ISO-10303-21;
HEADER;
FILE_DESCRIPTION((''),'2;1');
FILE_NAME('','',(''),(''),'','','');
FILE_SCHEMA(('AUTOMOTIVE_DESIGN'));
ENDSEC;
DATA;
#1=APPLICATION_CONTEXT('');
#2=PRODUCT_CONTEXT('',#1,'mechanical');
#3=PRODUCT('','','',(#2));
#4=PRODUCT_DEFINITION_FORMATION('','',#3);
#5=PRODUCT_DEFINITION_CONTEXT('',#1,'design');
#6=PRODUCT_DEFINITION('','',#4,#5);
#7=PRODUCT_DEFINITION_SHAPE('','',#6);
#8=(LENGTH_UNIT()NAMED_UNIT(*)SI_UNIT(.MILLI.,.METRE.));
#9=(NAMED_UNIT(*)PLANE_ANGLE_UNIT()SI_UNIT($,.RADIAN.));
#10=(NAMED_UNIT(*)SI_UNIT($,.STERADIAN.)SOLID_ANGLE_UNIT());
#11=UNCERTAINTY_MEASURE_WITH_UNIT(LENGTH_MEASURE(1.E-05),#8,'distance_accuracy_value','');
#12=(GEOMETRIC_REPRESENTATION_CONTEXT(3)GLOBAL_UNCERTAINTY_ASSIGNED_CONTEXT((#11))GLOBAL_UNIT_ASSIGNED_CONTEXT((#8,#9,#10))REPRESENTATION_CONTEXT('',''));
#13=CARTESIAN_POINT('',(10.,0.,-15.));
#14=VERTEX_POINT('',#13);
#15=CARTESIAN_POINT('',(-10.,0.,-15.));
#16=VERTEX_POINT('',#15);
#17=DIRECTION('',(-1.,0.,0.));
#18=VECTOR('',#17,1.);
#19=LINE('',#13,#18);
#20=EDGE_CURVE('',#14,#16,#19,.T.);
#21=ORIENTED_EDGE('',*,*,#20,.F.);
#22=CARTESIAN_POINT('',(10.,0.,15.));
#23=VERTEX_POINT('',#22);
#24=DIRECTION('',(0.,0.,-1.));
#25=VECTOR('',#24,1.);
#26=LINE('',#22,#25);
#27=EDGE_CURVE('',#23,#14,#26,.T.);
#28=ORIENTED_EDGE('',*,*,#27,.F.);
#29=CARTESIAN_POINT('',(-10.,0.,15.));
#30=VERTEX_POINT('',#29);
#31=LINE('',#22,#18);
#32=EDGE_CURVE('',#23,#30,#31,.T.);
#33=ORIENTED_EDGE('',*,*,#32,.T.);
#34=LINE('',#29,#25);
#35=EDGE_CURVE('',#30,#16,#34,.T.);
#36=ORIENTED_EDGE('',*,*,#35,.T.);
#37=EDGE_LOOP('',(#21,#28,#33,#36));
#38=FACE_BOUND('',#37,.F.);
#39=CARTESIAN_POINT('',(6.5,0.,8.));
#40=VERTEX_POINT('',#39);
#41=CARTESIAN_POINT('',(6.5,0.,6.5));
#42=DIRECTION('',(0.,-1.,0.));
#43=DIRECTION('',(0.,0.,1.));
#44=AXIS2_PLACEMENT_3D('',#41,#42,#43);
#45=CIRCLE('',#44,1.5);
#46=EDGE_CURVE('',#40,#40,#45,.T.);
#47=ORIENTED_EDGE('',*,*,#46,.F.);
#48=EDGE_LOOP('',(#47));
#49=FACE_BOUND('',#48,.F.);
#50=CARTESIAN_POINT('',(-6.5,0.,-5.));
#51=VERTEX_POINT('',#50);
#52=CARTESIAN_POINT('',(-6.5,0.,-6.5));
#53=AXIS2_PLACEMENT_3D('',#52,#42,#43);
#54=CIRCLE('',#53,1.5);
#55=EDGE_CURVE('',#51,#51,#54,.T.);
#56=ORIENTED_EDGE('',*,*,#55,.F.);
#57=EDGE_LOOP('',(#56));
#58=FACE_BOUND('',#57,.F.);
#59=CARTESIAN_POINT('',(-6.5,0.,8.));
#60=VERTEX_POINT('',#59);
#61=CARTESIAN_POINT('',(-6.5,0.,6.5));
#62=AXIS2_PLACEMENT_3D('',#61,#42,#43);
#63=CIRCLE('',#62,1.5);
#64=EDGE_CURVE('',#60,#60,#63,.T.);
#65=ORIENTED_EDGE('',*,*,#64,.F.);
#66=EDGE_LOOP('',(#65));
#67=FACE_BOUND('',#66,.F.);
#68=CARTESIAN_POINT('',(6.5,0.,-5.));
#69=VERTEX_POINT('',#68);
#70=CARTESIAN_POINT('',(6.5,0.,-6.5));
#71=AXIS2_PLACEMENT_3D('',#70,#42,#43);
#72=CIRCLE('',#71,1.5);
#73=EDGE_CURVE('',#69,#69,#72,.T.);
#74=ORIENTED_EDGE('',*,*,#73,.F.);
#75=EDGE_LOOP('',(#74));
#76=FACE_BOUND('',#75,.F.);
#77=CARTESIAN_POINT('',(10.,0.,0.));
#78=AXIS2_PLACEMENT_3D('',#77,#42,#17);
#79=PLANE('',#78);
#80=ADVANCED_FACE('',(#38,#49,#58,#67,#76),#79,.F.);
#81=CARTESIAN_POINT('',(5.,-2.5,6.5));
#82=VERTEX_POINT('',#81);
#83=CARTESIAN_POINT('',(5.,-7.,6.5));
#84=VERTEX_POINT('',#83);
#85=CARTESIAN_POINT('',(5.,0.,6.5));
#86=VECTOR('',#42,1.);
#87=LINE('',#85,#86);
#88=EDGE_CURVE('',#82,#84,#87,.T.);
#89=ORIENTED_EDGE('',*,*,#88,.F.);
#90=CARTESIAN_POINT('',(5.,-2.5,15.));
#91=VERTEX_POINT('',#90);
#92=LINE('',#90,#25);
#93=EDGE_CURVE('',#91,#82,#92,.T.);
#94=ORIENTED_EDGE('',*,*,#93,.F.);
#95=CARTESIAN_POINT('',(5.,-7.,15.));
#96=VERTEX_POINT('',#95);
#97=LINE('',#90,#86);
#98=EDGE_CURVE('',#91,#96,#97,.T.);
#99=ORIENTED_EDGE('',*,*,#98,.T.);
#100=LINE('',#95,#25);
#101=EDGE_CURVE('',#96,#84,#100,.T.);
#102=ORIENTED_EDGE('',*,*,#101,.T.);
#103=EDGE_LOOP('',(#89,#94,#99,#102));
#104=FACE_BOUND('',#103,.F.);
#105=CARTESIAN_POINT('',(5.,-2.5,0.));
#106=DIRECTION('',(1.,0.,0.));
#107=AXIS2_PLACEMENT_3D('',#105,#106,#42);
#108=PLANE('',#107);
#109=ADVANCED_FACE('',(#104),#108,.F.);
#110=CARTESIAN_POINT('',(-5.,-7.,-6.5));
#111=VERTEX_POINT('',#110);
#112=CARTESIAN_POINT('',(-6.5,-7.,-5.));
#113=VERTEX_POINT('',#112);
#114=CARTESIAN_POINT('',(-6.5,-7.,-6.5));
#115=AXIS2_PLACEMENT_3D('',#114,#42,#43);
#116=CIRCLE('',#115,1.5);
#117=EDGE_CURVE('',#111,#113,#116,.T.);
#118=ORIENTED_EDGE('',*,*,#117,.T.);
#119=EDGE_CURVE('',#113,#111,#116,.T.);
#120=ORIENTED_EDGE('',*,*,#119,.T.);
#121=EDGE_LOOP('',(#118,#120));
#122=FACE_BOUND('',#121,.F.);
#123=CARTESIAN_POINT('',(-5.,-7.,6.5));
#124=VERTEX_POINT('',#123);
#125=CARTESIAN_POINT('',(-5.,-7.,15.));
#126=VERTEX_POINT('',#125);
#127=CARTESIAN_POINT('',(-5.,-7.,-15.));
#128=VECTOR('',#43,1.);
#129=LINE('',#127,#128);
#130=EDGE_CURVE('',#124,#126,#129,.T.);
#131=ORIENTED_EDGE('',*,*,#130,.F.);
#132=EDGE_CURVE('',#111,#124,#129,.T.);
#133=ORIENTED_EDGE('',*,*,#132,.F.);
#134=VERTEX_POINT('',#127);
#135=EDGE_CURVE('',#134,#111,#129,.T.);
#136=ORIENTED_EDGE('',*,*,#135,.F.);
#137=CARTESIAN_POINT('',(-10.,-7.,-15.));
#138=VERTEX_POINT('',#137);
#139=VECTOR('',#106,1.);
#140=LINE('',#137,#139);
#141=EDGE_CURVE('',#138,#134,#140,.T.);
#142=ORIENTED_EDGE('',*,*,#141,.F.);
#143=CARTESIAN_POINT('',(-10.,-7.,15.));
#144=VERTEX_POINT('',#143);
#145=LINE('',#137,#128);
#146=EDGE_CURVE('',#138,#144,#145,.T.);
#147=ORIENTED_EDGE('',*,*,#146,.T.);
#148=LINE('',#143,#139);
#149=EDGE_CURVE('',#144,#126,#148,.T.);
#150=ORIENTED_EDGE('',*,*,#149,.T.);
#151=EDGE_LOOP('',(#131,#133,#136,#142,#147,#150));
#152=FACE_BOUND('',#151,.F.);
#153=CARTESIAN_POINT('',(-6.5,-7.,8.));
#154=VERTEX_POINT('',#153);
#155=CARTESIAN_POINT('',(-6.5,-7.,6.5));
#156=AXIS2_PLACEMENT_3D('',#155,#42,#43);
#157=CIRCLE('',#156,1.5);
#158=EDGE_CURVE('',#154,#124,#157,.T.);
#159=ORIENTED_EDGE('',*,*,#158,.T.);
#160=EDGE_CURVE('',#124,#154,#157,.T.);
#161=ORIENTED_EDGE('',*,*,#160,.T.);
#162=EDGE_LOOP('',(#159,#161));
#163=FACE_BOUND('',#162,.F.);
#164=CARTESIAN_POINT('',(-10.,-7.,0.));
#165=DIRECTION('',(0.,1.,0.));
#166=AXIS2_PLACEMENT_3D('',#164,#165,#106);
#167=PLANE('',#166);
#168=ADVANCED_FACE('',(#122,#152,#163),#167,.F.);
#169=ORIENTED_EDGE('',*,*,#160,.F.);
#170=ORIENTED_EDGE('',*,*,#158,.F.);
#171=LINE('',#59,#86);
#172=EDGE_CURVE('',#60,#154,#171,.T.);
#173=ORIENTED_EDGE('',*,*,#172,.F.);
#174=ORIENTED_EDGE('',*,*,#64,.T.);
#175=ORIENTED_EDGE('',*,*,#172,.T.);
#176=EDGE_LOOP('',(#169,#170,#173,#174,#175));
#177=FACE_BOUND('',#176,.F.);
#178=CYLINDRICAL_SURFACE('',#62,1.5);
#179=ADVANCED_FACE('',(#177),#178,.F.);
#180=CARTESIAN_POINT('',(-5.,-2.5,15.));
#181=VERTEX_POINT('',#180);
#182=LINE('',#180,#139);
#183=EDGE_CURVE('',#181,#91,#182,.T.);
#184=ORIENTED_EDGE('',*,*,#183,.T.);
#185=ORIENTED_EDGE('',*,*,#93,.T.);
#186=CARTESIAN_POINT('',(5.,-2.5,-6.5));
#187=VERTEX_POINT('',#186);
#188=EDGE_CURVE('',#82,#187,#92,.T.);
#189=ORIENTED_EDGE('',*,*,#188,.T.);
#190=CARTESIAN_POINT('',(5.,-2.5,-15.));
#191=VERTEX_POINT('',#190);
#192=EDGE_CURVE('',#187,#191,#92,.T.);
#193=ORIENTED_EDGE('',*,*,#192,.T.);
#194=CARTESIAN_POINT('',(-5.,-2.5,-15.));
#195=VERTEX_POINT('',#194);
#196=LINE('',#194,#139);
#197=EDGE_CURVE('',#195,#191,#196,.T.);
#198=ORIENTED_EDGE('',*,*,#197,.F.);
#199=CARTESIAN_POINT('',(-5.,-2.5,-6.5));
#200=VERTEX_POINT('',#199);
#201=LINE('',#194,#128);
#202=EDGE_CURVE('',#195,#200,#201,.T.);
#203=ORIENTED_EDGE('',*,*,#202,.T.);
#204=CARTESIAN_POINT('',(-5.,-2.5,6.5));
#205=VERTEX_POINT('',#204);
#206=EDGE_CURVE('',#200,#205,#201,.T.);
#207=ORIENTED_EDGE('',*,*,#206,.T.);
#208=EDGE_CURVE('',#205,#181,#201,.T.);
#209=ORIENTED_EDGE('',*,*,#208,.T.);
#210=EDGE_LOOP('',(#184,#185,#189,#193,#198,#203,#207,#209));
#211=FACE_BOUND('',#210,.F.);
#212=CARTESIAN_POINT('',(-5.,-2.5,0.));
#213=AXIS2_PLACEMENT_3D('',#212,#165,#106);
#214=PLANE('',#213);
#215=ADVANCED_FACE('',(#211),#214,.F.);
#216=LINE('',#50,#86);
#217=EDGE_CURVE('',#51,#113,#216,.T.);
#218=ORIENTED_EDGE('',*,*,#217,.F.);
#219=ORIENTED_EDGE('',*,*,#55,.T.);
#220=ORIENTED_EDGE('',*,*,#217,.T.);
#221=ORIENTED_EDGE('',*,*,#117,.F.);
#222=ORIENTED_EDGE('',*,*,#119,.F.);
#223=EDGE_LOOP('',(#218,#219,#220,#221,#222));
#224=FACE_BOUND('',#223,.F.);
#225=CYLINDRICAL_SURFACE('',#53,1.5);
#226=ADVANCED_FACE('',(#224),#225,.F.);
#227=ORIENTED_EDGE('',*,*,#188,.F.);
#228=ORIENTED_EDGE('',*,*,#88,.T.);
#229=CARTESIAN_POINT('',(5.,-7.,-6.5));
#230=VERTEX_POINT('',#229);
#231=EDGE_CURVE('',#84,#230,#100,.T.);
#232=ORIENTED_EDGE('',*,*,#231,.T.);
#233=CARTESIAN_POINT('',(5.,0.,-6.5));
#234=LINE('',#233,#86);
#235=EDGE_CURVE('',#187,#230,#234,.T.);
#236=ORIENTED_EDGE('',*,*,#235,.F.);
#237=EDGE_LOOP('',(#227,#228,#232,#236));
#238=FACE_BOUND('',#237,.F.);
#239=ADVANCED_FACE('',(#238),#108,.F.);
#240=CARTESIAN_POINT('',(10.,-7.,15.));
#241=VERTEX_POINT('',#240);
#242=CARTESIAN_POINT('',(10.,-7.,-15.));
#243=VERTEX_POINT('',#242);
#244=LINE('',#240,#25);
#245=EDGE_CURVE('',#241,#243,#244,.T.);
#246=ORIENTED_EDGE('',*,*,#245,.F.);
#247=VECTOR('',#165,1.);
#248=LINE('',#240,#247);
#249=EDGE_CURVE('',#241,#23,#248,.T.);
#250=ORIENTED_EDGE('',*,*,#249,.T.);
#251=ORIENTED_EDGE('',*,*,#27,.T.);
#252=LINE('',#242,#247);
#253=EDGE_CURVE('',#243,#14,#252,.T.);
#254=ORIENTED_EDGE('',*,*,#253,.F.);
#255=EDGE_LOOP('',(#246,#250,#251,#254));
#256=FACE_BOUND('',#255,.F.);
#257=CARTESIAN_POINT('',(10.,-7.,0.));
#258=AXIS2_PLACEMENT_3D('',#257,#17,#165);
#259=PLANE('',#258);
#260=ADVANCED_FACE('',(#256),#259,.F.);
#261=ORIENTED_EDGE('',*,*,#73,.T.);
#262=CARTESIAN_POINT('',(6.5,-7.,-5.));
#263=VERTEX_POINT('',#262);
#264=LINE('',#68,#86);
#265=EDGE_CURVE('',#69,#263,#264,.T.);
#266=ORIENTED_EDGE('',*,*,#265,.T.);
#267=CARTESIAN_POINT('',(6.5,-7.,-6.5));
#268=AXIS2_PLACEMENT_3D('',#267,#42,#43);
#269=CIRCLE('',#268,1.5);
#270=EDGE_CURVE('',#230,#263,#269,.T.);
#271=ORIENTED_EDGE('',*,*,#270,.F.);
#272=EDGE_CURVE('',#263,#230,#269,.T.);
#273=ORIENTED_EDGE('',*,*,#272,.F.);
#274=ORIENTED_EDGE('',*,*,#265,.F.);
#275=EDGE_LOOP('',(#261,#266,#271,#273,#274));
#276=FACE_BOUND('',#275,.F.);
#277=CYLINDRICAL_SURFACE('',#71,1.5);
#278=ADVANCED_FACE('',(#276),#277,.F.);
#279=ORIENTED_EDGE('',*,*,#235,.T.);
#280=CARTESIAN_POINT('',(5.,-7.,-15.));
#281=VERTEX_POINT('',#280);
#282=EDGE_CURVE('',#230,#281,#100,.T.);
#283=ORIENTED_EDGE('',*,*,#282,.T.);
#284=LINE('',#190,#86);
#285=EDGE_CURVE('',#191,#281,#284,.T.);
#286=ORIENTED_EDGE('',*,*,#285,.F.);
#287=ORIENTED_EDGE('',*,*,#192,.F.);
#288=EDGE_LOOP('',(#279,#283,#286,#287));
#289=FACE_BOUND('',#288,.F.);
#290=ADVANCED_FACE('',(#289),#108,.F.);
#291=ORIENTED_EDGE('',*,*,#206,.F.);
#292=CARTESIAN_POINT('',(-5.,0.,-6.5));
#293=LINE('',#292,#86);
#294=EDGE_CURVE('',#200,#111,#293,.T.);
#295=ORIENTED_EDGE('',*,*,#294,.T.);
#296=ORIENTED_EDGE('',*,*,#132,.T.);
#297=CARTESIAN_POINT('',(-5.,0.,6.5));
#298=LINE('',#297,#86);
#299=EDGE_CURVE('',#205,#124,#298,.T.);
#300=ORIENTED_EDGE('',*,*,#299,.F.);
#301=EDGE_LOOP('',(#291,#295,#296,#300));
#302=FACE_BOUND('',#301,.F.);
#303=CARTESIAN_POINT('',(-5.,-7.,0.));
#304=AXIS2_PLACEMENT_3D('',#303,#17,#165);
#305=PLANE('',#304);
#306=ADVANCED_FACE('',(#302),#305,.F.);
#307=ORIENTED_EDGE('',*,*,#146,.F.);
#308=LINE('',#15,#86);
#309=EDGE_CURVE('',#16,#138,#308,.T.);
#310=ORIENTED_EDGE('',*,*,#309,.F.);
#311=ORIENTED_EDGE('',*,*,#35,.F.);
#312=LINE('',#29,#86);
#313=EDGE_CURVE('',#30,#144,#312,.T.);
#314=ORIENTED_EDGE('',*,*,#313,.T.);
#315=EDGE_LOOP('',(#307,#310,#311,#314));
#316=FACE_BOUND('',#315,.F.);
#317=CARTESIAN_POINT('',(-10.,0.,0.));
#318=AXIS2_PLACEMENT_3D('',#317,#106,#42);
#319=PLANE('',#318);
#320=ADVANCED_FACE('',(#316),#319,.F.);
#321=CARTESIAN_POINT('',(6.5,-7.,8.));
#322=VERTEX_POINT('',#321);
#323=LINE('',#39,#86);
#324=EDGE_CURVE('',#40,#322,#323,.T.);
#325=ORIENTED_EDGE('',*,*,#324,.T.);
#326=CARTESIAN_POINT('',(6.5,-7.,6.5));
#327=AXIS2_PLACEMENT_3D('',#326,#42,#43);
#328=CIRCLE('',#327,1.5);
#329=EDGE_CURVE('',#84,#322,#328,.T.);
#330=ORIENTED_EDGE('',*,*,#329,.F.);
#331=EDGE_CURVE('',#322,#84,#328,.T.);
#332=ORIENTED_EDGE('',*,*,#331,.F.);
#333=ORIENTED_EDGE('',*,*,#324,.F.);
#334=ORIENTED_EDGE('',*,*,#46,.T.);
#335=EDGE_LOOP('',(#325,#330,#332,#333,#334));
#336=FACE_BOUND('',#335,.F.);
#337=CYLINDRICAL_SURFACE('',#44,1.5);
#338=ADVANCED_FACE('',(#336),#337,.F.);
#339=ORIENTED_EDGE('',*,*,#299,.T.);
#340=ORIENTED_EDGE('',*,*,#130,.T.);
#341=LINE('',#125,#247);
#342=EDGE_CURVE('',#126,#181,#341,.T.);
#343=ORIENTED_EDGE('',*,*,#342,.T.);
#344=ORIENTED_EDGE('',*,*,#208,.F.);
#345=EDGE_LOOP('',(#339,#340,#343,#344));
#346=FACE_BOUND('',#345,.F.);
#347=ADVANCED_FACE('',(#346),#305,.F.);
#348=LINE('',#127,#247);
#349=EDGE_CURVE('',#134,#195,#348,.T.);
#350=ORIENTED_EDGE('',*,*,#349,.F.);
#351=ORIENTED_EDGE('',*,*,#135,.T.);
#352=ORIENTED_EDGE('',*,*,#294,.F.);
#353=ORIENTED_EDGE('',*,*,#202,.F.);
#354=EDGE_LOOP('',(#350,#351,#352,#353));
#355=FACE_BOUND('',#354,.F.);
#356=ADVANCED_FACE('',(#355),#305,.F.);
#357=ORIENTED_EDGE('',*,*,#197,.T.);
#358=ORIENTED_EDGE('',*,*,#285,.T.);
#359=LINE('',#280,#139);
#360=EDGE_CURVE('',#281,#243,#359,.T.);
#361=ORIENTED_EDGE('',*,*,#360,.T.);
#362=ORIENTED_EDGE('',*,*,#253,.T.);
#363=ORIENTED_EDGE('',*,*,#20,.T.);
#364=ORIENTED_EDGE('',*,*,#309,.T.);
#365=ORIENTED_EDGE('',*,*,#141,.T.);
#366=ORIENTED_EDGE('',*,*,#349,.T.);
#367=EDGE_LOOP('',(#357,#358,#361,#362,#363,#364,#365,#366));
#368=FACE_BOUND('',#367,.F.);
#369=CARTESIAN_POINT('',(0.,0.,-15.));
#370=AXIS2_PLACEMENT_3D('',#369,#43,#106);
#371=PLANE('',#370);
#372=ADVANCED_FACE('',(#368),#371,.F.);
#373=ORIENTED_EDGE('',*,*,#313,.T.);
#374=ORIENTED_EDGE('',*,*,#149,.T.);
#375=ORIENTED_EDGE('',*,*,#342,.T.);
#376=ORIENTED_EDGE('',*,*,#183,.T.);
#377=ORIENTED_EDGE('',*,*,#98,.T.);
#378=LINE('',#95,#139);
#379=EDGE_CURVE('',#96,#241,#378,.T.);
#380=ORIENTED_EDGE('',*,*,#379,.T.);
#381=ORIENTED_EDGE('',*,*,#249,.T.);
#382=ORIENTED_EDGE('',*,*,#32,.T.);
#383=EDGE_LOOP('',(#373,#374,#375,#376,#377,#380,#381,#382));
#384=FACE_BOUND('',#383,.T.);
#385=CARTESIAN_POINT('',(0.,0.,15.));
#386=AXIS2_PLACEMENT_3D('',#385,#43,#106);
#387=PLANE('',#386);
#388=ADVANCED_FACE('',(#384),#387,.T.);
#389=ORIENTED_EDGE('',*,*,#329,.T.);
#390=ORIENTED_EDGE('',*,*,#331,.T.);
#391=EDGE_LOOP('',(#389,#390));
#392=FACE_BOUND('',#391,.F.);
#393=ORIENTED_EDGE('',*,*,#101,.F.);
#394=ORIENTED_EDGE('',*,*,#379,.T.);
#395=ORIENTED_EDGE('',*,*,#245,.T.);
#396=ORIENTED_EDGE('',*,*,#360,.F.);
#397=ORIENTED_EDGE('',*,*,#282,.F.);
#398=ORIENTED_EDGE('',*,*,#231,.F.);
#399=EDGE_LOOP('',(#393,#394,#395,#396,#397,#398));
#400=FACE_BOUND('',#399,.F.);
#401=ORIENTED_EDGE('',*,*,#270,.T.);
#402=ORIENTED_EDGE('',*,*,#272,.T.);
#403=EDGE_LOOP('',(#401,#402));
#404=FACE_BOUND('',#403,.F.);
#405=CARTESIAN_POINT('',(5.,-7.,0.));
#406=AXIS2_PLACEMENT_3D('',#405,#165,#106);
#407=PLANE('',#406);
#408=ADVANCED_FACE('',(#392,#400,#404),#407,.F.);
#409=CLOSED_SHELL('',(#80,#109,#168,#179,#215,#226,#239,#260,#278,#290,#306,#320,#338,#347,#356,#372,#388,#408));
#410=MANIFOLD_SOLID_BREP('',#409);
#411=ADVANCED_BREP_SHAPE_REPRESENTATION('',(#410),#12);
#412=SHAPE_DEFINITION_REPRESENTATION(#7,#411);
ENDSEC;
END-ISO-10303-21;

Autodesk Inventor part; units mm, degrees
ref_plane "YZ Plane" through (0, 0, 0) normal (1, 0, 0) x (0, 1, 0)
ref_plane "XZ Plane" through (0, 0, 0) normal (0, 1, 0) x (-1, 0, 0)
ref_plane "XY Plane" through (0, 0, 0) normal (0, 0, 1) x (1, 0, 0)
sketch "スケッチ1" plane through (0, 0, 0) normal (0, 0, 1) x (1, 0, 0)
  line L0 (-10, -7) -> (-5, -7)
  line L1 (10, -7) -> (10, 0)
  line L2 (10, 0) -> (-10, 0)
  line L3 (-10, 0) -> (-10, -7)
  line L4 (-10, -7) -> (10, 0) construction
  line L5 (10, -7) -> (-10, 0) construction
  line L6 (-5, -2.5) -> (5, -2.5)
  line L7 (5, -2.5) -> (5, -7)
  line L8 (-5, -7) -> (-5, -2.5)
  line L9 (-5, -2.5) -> (5, -7) construction
  line L10 (5, -2.5) -> (-5, -7) construction
  line L11 (5, -7) -> (10, -7)
  point P0 (0, 0)
  point P1 (0, -3.5)
  point P2 (0, -4.75)
  dimension "d0" = 20
  dimension "d1" = 7
  dimension "d2" = 10
  dimension "d3" = 4.5
extrude "押し出し1" add sketch "スケッチ1" along normal mid plane 30
sketch "スケッチ2" plane through (-10, 0, -15) normal (0, 1, 0) x (1, 0, 0)
  line L0 (0, 0) -> (0, -30) projected
  line L1 (0, 0) -> (20, 0) projected
  line L2 (20, -30) -> (0, -30) projected
  line L3 (20, 0) -> (20, -30) projected
  point P0 (10, -15)
  point P1 (3.5, -8.5)
  point P2 (3.5, -21.5)
  point P3 (16.5, -21.5)
  point P4 (16.5, -8.5)
  dimension "d6" = 3.5
  dimension "d7" = 3.5
  dimension "d8" = 8.5
  dimension "d9" = 8.5
  dimension "d10" = 3.5
  dimension "d11" = 3.5
  dimension "d12" = 8.5
  dimension "d13" = 8.5
hole "穴1" at (-6.5, 0, -6.5) at (-6.5, 0, 6.5) at (6.5, 0, 6.5) at (6.5, 0, -6.5) direction (0, -1, 0) diameter 3 end through all
equation "\"d7\" = d6"
equation "\"d9\" = d8"
equation "\"d10\" = d6"
equation "\"d11\" = d6"
equation "\"d12\" = d8"
equation "\"d13\" = d8"
properties part number "slider_b7p5x20_30_sa" material "アルミニウム 6061-AHC"
